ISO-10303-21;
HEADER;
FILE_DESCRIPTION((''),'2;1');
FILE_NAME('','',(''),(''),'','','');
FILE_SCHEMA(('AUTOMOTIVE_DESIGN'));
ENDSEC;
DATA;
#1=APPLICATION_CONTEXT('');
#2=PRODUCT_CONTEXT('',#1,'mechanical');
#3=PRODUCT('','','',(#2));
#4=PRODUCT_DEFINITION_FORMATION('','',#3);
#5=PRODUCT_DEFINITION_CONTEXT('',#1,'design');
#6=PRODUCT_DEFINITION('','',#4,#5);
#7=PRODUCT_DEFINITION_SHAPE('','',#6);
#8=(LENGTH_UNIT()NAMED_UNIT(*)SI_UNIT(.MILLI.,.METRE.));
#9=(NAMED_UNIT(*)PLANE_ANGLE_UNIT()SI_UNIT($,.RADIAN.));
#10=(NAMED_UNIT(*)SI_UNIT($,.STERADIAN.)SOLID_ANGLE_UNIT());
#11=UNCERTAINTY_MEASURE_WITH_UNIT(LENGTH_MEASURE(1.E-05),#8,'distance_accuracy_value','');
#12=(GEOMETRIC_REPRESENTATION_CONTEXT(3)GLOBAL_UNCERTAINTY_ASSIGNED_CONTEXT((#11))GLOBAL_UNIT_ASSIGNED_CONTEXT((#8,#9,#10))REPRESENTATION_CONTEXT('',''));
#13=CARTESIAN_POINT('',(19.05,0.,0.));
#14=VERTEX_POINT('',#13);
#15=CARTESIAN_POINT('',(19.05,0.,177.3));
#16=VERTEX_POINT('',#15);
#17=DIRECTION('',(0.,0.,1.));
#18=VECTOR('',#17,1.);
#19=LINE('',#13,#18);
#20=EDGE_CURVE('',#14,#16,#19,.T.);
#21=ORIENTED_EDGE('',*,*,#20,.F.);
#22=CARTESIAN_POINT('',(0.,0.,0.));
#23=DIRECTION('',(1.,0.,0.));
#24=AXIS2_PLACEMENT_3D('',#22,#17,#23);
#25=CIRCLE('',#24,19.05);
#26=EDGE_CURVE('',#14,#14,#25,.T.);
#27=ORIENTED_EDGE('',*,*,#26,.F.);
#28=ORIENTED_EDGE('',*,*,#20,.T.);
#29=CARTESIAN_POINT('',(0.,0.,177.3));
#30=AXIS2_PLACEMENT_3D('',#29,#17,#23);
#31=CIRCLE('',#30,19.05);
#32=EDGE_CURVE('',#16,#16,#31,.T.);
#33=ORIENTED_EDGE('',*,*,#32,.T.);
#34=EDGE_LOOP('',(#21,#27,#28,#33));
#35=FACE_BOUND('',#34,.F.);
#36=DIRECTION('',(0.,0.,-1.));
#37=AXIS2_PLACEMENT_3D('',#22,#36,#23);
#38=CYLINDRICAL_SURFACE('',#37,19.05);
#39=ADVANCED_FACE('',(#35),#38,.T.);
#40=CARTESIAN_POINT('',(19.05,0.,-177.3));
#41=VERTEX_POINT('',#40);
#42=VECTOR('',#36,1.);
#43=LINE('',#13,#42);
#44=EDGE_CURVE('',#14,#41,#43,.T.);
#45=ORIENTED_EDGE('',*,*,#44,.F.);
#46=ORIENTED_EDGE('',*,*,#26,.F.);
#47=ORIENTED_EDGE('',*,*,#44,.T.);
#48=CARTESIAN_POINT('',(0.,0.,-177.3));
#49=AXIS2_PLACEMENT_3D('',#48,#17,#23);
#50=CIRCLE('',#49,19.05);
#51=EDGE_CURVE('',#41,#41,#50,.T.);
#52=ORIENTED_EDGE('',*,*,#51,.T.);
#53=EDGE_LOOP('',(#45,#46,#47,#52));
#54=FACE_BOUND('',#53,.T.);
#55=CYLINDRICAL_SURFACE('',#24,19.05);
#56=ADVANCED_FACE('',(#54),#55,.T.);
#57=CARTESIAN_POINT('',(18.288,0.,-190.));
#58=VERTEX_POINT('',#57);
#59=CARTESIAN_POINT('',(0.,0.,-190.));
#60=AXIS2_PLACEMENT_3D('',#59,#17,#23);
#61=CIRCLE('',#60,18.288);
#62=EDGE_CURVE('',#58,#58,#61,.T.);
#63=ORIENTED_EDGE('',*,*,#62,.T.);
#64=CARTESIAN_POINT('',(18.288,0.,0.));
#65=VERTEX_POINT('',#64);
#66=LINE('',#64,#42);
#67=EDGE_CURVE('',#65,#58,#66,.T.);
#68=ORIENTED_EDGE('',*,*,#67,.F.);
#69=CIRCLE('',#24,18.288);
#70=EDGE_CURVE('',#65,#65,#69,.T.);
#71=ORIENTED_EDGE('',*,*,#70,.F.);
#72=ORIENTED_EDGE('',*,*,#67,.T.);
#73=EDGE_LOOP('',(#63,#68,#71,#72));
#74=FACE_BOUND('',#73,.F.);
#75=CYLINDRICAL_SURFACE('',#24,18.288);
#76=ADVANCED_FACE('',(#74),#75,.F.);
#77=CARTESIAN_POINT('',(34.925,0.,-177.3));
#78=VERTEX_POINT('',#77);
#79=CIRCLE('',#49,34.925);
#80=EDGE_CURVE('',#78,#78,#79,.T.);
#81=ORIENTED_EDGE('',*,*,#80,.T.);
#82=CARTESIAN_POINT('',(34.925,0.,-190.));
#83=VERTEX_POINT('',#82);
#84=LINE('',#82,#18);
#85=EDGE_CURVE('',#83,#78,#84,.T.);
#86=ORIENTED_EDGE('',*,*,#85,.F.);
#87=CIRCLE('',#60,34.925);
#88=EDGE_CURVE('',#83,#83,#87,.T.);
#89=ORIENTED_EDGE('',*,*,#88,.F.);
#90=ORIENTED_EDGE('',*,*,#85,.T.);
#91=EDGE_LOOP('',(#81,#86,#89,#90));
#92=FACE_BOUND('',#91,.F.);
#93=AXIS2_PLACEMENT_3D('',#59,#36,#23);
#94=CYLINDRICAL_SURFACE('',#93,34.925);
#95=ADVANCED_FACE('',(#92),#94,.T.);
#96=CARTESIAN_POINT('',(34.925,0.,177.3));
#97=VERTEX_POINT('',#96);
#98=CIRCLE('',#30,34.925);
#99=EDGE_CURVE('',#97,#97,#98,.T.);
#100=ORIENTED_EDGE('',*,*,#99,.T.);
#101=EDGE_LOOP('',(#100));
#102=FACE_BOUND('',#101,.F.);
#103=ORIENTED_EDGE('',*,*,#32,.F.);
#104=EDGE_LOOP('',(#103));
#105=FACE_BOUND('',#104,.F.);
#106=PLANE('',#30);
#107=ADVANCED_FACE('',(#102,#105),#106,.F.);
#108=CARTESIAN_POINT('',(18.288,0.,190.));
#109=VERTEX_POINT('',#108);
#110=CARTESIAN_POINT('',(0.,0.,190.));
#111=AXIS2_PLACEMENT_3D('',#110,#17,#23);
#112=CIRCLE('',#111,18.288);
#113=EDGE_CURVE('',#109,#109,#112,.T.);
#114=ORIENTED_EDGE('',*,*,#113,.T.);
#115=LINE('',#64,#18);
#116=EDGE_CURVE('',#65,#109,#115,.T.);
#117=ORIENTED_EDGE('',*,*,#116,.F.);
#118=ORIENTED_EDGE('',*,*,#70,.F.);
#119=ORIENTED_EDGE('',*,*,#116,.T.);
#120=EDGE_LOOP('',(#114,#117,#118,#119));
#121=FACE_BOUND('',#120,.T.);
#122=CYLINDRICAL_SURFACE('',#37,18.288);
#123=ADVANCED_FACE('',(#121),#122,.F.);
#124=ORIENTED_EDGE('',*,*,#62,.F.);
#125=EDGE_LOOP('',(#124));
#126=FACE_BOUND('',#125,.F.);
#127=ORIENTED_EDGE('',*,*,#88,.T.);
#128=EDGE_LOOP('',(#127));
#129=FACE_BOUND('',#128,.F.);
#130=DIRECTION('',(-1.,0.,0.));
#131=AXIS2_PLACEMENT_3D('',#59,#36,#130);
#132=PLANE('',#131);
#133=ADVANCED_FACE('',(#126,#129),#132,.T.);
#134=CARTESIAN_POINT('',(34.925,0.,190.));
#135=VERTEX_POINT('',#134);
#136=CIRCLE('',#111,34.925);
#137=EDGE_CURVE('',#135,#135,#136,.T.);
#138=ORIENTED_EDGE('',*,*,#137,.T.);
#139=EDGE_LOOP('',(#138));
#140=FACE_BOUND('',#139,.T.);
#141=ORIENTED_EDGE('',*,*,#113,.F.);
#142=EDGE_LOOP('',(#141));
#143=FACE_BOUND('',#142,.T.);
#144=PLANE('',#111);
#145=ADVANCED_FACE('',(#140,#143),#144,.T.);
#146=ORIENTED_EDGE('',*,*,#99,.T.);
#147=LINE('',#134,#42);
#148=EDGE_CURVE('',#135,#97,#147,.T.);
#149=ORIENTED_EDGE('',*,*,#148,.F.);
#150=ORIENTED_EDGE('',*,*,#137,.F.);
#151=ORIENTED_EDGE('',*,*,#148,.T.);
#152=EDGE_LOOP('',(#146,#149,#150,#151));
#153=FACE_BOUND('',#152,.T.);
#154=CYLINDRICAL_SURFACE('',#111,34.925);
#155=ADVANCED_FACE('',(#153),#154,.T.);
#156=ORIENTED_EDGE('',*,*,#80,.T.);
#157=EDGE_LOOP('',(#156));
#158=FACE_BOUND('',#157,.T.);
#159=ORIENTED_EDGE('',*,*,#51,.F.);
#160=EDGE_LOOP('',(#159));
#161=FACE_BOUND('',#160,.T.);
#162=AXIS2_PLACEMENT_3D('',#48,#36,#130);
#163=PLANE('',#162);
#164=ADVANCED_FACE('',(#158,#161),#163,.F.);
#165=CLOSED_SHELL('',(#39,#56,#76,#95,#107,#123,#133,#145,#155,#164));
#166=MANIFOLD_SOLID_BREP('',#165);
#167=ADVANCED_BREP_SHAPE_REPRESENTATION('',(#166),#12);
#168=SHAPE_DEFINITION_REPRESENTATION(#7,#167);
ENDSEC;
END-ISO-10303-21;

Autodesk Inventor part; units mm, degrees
ref_plane "YZ Plane" through (0, 0, 0) normal (1, 0, 0) x (0, 1, 0)
ref_plane "XZ Plane" through (0, 0, 0) normal (0, 1, 0) x (-1, 0, 0)
ref_plane "XY Plane" through (0, 0, 0) normal (0, 0, 1) x (1, 0, 0)
sketch "Sketch1" plane through (0, 0, 0) normal (0, 0, 1) x (1, 0, 0)
  circle A0 centre (0, 0) radius 19.05
  circle A1 centre (0, 0) radius 18.288
  dimension "d6" = 38.1
  dimension "d9" = 36.576
extrude "Extrusion1" add sketch "Sketch1" along normal mid plane 380
sketch "Sketch2" plane through (0, 0, 190) normal (0, 0, 1) x (1, 0, 0)
  circle A0 centre (0, 0) radius 34.925
  circle A1 centre (0, 0) radius 19.05 projected
  dimension "d10" = 69.85
extrude "Extrusion2" add sketch "Sketch2" against normal blind 12.7
mirror "Mirror1" about plane through (0, 0, 0) normal (0, 0, 1) of "Extrusion2"
equation "\"d7\" = Length"
equation "\"Length\" = 380"
properties part number "Pipe300"
